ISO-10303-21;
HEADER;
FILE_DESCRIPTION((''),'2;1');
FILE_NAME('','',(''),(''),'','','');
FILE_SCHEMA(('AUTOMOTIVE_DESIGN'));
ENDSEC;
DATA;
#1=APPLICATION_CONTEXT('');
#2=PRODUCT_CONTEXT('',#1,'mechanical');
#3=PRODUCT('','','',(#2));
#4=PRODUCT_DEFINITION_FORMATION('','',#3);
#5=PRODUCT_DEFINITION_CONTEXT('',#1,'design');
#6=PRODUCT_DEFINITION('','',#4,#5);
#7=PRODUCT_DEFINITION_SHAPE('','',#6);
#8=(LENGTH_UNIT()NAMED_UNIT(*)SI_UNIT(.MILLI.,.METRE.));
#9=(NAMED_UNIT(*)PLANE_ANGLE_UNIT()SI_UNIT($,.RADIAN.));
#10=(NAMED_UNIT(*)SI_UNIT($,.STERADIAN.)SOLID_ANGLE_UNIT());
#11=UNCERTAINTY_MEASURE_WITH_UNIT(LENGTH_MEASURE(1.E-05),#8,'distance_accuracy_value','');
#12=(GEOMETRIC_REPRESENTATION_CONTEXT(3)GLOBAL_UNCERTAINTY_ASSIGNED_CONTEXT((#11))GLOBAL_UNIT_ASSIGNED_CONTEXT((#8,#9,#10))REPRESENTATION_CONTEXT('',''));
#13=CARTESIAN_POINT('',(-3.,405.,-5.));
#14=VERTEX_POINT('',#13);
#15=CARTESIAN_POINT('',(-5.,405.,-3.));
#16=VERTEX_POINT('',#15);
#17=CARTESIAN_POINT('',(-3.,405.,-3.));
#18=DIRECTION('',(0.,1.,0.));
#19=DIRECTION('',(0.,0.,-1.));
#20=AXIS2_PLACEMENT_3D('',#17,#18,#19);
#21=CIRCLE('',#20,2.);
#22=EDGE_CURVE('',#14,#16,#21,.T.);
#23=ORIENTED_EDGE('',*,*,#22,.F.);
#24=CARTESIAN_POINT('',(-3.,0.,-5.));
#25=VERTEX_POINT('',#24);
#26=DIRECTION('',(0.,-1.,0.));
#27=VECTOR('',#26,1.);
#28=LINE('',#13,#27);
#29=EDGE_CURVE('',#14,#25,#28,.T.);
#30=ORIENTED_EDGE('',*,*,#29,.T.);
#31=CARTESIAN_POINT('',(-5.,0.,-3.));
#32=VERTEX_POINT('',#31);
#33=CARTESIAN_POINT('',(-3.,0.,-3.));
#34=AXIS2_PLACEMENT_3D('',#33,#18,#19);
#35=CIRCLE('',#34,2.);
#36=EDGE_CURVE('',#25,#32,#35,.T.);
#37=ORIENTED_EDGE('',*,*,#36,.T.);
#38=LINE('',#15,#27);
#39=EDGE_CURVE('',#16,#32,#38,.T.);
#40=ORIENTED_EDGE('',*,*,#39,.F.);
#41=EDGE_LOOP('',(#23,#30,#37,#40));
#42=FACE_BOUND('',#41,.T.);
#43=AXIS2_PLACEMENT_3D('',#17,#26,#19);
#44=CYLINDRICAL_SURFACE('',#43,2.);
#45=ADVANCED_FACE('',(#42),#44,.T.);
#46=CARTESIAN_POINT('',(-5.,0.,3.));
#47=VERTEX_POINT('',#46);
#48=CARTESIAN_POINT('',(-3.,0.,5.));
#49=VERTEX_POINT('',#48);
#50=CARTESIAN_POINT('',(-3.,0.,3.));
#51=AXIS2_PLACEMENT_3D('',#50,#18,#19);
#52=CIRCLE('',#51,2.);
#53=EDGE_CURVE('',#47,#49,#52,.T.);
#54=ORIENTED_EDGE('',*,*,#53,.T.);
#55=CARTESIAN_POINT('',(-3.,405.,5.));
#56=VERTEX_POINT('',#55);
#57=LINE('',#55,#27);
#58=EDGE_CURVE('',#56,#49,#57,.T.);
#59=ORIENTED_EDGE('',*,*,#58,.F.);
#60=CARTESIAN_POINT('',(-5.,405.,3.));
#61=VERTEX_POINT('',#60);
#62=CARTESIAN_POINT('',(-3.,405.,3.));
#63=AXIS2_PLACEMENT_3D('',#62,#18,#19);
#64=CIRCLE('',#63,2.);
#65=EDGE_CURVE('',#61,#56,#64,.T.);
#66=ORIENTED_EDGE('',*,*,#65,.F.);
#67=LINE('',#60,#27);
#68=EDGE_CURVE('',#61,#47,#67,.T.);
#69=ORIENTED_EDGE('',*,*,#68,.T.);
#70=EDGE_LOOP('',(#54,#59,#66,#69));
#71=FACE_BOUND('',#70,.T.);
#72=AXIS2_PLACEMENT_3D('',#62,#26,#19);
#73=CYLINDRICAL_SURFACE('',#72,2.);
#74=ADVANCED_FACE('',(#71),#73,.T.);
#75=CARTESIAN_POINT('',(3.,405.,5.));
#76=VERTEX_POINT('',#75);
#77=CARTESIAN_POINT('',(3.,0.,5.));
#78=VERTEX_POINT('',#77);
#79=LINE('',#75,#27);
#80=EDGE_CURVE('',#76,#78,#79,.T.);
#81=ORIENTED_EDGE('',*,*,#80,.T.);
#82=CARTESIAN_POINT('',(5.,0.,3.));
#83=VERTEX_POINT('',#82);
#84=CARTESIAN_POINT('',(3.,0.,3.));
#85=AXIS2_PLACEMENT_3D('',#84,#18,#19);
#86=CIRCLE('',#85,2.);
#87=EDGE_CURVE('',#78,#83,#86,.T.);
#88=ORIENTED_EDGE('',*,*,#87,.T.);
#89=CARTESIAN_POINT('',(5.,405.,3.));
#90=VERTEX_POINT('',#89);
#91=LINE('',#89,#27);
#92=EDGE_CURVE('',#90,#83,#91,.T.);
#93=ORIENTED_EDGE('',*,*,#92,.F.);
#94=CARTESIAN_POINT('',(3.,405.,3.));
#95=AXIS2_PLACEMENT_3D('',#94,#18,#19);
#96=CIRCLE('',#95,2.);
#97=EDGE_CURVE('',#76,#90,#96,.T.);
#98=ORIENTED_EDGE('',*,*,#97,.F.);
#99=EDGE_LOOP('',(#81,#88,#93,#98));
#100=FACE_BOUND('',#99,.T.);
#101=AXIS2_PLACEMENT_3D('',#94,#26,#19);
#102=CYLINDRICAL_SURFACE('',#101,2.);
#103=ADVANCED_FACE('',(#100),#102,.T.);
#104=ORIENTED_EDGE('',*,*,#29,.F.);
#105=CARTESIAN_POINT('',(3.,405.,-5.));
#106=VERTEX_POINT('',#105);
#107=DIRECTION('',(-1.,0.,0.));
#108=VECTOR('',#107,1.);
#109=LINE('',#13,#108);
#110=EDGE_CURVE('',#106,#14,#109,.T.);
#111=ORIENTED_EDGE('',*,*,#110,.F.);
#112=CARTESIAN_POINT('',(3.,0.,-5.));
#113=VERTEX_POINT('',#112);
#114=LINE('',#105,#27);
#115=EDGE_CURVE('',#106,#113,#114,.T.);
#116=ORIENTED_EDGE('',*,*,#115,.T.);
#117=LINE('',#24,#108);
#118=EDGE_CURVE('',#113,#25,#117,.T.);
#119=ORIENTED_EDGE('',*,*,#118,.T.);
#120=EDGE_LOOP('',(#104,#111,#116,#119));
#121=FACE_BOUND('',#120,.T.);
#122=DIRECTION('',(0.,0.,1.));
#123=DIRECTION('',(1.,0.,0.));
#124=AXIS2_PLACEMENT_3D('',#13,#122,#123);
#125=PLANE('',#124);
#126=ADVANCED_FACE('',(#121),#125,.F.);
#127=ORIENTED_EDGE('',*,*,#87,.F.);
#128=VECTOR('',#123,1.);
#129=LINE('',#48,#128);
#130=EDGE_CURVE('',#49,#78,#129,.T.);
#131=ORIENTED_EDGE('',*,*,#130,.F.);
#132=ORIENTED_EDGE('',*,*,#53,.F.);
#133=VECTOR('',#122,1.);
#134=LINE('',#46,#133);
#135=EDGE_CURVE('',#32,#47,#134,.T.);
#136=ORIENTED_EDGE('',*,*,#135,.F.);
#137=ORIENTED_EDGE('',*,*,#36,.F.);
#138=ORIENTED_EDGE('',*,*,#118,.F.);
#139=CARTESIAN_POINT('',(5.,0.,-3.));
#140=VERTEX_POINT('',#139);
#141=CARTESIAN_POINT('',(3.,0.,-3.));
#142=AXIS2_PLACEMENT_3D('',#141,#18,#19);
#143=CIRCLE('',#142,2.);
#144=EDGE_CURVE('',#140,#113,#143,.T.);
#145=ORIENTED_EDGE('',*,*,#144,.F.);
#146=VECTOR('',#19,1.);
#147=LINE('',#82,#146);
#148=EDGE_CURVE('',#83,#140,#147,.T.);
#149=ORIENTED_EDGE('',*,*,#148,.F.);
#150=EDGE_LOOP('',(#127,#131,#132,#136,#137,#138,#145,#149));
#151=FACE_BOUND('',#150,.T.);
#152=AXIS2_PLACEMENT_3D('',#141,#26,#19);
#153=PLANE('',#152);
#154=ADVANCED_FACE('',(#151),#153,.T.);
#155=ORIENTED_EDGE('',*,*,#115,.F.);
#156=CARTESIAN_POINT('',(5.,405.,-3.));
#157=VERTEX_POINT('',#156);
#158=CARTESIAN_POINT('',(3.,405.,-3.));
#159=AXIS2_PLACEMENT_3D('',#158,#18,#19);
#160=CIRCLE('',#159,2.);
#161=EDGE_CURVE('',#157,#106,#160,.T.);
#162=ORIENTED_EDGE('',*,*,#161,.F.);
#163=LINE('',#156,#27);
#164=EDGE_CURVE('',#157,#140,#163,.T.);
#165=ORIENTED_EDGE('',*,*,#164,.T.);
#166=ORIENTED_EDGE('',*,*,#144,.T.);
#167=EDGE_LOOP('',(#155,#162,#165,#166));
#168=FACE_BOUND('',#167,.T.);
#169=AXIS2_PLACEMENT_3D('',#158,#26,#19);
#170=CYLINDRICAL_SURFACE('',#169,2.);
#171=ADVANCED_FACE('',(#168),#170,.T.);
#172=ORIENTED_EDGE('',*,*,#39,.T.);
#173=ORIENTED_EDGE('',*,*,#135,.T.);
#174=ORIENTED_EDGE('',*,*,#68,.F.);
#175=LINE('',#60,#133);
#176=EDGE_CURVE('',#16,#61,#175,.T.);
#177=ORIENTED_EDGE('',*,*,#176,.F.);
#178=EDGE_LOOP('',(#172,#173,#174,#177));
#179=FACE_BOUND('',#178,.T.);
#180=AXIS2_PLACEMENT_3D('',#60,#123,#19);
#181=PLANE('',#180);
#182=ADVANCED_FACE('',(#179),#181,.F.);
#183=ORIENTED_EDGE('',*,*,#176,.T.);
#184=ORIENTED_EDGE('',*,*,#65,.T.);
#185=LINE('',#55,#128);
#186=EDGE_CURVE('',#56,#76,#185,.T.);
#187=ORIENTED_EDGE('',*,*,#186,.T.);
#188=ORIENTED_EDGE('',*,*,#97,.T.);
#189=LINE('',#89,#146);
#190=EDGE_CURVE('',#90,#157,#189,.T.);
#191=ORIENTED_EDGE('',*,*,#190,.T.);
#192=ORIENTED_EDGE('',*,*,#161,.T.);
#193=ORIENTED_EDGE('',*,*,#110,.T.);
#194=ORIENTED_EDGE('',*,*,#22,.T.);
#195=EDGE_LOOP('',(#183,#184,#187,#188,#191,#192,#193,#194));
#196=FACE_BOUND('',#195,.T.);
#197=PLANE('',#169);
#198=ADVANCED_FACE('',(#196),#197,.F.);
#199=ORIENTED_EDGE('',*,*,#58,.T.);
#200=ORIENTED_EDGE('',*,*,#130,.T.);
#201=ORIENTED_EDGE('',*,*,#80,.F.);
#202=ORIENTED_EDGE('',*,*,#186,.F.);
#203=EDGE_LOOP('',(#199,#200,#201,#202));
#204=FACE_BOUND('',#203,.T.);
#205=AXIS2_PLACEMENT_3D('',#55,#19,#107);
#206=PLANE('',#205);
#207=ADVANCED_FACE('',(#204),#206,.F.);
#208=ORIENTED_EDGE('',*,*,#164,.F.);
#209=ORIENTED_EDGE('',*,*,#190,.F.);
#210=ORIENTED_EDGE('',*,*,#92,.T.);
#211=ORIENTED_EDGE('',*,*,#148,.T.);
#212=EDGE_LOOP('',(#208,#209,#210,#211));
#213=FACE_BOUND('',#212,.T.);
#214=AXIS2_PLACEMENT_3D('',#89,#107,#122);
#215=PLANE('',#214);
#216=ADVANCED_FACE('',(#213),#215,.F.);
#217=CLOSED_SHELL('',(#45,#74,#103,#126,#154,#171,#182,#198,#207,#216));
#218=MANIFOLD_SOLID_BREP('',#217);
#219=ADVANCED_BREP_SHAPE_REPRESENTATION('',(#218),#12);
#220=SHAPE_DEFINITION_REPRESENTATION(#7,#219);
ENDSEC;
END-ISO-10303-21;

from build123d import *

# Parameters (mm, degrees)
RESSALTO_EXTRUS_O1_DEPTH = 405


with BuildPart() as part:
    # Esboço1 → Ressalto-extrusão1 (new body)
    with BuildSketch(Plane(origin=(0, 0, 0), x_dir=(1, 0, 0), z_dir=(0, 1, 0))):
        with BuildLine():
            Line((-3, -5), (3, -5))
            ThreePointArc((3, -5), (4.414213562, -4.414213562), (5, -3))
            Line((5, -3), (5, 3))
            ThreePointArc((5, 3), (4.414213562, 4.414213562), (3, 5))
            Line((3, 5), (-3, 5))
            ThreePointArc((-3, 5), (-4.414213562, 4.414213562), (-5, 3))
            Line((-5, 3), (-5, -3))
            ThreePointArc((-5, -3), (-4.414213562, -4.414213562), (-3, -5))
        make_face()
    extrude(amount=RESSALTO_EXTRUS_O1_DEPTH)


solid = part.part
